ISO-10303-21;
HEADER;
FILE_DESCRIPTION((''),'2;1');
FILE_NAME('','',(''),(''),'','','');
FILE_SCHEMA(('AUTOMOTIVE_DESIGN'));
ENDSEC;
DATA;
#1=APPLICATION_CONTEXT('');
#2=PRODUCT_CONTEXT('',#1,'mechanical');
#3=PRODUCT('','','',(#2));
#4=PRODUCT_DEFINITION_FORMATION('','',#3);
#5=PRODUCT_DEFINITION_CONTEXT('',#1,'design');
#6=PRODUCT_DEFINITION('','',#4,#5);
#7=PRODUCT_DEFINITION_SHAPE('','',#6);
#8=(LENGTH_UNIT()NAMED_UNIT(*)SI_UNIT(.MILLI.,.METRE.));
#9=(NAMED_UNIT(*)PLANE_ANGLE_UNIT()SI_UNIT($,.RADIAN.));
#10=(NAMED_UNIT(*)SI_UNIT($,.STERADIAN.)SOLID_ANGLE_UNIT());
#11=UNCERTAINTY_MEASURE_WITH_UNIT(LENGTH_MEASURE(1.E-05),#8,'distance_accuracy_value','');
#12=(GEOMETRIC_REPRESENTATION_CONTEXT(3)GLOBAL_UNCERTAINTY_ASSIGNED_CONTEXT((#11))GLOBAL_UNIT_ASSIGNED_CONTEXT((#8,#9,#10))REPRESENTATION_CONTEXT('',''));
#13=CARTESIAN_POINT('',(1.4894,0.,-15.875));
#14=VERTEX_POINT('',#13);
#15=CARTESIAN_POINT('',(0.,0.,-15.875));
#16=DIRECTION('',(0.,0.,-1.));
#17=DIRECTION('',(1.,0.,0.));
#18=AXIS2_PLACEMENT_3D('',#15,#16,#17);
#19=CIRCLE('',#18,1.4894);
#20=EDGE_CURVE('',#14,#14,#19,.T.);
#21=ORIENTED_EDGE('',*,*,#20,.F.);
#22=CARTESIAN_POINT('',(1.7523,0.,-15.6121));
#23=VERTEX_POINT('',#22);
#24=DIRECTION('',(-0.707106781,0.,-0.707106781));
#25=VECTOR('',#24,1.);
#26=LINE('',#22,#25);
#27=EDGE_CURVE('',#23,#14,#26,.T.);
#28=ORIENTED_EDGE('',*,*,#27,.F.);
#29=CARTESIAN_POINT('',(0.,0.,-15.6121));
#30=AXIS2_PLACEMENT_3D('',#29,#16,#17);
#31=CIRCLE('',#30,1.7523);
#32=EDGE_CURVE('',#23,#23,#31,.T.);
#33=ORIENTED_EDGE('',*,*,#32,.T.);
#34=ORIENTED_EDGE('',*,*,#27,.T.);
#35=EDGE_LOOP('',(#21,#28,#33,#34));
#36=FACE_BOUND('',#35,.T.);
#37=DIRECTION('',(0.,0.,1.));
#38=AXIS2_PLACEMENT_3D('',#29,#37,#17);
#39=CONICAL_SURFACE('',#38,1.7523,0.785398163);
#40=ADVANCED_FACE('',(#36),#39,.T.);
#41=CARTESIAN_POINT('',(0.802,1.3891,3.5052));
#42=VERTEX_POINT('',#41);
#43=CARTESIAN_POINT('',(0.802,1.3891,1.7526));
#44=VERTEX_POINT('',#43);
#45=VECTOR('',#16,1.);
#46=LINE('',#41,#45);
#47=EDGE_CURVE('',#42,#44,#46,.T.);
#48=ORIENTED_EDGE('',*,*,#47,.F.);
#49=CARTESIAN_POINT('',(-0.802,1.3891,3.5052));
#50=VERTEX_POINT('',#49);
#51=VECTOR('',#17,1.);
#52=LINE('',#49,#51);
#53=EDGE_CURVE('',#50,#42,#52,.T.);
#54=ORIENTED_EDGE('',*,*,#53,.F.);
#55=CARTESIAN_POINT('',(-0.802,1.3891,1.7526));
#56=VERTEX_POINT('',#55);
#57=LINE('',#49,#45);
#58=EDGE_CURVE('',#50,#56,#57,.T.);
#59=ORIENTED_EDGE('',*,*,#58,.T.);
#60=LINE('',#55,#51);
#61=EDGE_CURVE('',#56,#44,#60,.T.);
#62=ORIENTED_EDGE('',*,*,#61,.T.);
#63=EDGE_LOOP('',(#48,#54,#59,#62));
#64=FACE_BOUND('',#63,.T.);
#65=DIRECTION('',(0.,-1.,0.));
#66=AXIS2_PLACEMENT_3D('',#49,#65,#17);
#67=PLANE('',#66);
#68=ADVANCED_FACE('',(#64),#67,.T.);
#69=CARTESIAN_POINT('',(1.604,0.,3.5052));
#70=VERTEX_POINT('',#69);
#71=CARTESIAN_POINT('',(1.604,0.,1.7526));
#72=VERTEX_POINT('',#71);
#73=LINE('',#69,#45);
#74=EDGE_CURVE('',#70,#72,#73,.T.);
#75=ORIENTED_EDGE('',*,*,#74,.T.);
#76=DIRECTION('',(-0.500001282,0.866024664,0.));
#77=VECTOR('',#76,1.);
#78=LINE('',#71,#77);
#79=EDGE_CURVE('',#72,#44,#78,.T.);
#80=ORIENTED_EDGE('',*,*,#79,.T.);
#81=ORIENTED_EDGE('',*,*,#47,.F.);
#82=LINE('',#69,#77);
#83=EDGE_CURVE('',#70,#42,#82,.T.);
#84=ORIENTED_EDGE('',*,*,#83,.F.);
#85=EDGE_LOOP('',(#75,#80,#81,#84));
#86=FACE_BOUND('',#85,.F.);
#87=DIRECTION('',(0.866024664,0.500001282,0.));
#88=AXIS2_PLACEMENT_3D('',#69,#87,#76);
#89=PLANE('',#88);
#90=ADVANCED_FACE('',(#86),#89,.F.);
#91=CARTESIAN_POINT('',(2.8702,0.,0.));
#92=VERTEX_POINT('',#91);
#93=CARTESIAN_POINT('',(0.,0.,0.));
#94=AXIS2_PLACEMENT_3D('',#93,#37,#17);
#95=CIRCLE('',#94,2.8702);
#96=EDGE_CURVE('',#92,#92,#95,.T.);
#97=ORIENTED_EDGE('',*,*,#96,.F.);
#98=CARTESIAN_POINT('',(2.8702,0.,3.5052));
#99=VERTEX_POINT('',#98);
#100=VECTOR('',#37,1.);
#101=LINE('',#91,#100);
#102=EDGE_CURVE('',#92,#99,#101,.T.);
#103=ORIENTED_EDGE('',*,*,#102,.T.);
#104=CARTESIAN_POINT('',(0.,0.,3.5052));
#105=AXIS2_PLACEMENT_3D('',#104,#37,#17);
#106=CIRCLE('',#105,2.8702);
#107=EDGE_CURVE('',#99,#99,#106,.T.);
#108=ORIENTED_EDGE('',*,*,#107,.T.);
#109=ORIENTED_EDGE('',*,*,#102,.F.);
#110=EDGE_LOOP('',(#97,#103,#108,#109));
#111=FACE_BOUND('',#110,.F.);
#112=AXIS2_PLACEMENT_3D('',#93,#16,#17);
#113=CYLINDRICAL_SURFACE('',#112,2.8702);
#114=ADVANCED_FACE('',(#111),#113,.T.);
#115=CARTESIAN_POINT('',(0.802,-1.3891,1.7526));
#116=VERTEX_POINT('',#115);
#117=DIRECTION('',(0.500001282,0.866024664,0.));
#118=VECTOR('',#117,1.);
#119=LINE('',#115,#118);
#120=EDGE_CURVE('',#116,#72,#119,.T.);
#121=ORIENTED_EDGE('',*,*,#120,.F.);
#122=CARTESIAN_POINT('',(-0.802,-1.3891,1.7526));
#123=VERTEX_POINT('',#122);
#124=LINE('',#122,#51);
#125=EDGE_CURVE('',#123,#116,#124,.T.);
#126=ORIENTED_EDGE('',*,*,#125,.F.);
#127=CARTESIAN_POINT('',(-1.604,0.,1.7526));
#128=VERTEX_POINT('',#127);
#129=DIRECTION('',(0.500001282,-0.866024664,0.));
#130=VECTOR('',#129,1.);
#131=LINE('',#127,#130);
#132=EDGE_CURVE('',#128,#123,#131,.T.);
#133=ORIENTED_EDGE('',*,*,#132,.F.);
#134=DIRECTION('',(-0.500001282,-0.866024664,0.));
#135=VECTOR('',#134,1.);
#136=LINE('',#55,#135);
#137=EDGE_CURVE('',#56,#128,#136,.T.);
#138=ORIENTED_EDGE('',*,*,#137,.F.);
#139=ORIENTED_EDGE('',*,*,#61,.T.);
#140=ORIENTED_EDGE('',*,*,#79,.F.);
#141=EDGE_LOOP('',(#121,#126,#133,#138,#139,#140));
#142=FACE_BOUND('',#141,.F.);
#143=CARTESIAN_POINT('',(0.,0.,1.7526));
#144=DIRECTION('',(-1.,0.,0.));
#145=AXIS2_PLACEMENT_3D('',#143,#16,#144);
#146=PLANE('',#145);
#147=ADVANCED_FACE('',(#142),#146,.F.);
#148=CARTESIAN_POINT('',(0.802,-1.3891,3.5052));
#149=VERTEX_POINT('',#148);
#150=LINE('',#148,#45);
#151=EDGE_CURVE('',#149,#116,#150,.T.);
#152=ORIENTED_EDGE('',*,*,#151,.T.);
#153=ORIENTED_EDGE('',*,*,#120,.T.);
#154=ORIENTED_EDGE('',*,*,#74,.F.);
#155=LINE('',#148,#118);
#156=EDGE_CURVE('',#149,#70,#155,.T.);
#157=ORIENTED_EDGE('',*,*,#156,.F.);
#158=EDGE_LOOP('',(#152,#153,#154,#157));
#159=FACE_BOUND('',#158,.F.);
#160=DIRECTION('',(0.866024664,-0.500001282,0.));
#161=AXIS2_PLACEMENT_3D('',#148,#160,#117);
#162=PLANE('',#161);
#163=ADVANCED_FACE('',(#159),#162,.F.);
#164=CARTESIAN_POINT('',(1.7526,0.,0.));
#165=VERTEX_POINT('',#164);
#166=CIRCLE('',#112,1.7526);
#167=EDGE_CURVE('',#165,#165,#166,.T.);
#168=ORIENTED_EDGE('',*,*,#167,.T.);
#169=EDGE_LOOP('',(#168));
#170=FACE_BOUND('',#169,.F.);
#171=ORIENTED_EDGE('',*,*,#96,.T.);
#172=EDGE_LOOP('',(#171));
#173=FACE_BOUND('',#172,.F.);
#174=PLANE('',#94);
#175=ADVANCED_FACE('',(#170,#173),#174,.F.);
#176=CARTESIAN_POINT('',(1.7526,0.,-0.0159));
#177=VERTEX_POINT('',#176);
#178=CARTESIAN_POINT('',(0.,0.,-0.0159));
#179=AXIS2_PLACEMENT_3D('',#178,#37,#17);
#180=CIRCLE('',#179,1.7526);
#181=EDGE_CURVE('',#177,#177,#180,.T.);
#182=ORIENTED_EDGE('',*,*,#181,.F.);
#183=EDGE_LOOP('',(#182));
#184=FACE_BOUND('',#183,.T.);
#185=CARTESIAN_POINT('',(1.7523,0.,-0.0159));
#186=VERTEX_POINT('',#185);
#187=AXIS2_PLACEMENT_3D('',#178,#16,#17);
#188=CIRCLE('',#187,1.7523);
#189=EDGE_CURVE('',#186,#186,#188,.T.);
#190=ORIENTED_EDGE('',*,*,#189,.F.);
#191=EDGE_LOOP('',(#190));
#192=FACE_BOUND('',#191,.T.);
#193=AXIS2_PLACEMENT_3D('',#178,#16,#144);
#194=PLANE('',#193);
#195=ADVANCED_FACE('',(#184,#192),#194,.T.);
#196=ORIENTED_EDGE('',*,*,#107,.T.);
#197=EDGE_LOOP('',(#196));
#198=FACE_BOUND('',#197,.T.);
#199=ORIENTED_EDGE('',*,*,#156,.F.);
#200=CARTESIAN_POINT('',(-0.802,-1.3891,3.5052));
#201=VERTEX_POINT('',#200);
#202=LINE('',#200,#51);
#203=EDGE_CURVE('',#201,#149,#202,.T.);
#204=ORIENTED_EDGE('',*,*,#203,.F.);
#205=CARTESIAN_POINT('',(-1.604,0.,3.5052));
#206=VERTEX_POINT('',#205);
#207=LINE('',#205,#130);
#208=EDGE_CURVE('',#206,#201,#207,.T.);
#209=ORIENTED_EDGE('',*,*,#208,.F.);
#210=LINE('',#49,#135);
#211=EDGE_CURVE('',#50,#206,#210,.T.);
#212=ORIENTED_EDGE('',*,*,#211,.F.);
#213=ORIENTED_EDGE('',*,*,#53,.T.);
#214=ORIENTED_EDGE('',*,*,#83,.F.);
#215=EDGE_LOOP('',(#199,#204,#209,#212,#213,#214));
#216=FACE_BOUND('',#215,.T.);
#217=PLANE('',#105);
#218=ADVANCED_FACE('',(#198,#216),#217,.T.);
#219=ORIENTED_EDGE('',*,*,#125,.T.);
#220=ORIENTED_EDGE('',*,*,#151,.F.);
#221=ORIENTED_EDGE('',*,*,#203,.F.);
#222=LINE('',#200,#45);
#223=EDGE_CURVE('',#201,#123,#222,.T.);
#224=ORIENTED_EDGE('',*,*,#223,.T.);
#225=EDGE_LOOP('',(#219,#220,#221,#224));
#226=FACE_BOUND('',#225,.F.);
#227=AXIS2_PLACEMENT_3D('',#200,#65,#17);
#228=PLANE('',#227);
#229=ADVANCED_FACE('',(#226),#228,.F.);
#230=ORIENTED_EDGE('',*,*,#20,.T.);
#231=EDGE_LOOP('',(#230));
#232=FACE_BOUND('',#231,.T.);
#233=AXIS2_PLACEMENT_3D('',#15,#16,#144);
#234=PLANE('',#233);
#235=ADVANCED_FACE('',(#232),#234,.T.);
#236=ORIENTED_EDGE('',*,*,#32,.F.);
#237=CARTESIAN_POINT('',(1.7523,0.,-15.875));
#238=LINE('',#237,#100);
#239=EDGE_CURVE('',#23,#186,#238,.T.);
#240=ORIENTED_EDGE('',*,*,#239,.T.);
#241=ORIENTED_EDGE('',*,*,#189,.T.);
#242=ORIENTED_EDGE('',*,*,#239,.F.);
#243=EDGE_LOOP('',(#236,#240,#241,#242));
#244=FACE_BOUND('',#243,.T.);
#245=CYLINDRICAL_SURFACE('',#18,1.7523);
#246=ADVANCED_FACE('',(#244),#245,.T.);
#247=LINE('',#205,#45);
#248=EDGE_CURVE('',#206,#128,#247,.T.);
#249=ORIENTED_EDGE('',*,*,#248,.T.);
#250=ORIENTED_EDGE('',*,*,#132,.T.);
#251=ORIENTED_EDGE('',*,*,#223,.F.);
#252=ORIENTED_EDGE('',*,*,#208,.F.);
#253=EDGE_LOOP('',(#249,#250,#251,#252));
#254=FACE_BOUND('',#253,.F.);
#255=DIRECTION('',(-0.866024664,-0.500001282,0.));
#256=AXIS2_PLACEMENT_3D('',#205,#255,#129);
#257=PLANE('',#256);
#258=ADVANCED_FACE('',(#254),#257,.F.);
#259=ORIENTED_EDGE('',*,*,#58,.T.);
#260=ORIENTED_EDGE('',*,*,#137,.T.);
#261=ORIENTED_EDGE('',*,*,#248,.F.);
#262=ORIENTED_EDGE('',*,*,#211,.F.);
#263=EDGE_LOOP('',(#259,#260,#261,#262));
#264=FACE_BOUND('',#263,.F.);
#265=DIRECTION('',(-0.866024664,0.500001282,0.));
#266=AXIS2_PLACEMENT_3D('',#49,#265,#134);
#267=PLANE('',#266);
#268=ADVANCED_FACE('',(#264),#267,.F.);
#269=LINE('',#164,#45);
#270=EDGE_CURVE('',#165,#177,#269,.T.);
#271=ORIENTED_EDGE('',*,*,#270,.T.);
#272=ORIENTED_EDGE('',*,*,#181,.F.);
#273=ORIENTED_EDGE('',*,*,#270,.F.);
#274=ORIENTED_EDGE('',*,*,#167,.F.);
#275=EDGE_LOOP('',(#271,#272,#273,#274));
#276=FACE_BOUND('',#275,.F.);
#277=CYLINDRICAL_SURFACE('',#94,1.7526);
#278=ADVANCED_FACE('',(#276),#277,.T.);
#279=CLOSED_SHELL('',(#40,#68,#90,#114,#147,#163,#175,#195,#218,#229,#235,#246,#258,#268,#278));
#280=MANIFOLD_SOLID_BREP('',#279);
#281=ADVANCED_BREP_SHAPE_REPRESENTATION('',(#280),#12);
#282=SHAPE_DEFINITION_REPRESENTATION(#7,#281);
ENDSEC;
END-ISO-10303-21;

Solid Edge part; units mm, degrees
sketch "Sketch1" plane through (0, 0, 0) normal (0, 0, 1) x (1, 0, 0)
  circle A0 centre (0, 0) radius 2.8702
  dimension "D1" = 5.7404
extrude "Protrusion1" add sketch "Sketch1" along normal blind 3.5052
sketch "Sketch2" plane through (0, 0, 0) normal (0, 0, -1) x (1, 0, 0)
  circle A0 centre (0, 0) radius 1.7526
extrude "Protrusion2" add sketch "Sketch2" along normal blind 15.875
sketch "Sketch3" plane through (0, 0, -15.875) normal (0, 0, -1) x (1, 0, 0)
  circle A0 centre (0, 0) radius 1.7523
extrude "Cutout1" cut sketch "Sketch3" against normal blind 15.8591 flip side to cut
chamfer "Chamfer_1" distance 0.2629 angle 45 1 edges at (-1.7523, 0, -15.875)
sketch "Sketch4" plane through (0, 0, 3.5052) normal (0, 0, 1) x (1, 0, 0)
  line L0 (-0.802, 1.3891) -> (0.802, 1.3891)
  line L1 (1.604, 0) -> (0.802, 1.3891)
  line L2 (0.802, -1.3891) -> (1.604, 0)
  line L3 (-0.802, -1.3891) -> (0.802, -1.3891)
  line L4 (-1.604, 0) -> (-0.802, -1.3891)
  line L5 (-0.802, 1.3891) -> (-1.604, 0)
  dimension "D1" = 2.7781
extrude "Cutout2" cut sketch "Sketch4" against normal blind 1.7526
properties part number "185671"
